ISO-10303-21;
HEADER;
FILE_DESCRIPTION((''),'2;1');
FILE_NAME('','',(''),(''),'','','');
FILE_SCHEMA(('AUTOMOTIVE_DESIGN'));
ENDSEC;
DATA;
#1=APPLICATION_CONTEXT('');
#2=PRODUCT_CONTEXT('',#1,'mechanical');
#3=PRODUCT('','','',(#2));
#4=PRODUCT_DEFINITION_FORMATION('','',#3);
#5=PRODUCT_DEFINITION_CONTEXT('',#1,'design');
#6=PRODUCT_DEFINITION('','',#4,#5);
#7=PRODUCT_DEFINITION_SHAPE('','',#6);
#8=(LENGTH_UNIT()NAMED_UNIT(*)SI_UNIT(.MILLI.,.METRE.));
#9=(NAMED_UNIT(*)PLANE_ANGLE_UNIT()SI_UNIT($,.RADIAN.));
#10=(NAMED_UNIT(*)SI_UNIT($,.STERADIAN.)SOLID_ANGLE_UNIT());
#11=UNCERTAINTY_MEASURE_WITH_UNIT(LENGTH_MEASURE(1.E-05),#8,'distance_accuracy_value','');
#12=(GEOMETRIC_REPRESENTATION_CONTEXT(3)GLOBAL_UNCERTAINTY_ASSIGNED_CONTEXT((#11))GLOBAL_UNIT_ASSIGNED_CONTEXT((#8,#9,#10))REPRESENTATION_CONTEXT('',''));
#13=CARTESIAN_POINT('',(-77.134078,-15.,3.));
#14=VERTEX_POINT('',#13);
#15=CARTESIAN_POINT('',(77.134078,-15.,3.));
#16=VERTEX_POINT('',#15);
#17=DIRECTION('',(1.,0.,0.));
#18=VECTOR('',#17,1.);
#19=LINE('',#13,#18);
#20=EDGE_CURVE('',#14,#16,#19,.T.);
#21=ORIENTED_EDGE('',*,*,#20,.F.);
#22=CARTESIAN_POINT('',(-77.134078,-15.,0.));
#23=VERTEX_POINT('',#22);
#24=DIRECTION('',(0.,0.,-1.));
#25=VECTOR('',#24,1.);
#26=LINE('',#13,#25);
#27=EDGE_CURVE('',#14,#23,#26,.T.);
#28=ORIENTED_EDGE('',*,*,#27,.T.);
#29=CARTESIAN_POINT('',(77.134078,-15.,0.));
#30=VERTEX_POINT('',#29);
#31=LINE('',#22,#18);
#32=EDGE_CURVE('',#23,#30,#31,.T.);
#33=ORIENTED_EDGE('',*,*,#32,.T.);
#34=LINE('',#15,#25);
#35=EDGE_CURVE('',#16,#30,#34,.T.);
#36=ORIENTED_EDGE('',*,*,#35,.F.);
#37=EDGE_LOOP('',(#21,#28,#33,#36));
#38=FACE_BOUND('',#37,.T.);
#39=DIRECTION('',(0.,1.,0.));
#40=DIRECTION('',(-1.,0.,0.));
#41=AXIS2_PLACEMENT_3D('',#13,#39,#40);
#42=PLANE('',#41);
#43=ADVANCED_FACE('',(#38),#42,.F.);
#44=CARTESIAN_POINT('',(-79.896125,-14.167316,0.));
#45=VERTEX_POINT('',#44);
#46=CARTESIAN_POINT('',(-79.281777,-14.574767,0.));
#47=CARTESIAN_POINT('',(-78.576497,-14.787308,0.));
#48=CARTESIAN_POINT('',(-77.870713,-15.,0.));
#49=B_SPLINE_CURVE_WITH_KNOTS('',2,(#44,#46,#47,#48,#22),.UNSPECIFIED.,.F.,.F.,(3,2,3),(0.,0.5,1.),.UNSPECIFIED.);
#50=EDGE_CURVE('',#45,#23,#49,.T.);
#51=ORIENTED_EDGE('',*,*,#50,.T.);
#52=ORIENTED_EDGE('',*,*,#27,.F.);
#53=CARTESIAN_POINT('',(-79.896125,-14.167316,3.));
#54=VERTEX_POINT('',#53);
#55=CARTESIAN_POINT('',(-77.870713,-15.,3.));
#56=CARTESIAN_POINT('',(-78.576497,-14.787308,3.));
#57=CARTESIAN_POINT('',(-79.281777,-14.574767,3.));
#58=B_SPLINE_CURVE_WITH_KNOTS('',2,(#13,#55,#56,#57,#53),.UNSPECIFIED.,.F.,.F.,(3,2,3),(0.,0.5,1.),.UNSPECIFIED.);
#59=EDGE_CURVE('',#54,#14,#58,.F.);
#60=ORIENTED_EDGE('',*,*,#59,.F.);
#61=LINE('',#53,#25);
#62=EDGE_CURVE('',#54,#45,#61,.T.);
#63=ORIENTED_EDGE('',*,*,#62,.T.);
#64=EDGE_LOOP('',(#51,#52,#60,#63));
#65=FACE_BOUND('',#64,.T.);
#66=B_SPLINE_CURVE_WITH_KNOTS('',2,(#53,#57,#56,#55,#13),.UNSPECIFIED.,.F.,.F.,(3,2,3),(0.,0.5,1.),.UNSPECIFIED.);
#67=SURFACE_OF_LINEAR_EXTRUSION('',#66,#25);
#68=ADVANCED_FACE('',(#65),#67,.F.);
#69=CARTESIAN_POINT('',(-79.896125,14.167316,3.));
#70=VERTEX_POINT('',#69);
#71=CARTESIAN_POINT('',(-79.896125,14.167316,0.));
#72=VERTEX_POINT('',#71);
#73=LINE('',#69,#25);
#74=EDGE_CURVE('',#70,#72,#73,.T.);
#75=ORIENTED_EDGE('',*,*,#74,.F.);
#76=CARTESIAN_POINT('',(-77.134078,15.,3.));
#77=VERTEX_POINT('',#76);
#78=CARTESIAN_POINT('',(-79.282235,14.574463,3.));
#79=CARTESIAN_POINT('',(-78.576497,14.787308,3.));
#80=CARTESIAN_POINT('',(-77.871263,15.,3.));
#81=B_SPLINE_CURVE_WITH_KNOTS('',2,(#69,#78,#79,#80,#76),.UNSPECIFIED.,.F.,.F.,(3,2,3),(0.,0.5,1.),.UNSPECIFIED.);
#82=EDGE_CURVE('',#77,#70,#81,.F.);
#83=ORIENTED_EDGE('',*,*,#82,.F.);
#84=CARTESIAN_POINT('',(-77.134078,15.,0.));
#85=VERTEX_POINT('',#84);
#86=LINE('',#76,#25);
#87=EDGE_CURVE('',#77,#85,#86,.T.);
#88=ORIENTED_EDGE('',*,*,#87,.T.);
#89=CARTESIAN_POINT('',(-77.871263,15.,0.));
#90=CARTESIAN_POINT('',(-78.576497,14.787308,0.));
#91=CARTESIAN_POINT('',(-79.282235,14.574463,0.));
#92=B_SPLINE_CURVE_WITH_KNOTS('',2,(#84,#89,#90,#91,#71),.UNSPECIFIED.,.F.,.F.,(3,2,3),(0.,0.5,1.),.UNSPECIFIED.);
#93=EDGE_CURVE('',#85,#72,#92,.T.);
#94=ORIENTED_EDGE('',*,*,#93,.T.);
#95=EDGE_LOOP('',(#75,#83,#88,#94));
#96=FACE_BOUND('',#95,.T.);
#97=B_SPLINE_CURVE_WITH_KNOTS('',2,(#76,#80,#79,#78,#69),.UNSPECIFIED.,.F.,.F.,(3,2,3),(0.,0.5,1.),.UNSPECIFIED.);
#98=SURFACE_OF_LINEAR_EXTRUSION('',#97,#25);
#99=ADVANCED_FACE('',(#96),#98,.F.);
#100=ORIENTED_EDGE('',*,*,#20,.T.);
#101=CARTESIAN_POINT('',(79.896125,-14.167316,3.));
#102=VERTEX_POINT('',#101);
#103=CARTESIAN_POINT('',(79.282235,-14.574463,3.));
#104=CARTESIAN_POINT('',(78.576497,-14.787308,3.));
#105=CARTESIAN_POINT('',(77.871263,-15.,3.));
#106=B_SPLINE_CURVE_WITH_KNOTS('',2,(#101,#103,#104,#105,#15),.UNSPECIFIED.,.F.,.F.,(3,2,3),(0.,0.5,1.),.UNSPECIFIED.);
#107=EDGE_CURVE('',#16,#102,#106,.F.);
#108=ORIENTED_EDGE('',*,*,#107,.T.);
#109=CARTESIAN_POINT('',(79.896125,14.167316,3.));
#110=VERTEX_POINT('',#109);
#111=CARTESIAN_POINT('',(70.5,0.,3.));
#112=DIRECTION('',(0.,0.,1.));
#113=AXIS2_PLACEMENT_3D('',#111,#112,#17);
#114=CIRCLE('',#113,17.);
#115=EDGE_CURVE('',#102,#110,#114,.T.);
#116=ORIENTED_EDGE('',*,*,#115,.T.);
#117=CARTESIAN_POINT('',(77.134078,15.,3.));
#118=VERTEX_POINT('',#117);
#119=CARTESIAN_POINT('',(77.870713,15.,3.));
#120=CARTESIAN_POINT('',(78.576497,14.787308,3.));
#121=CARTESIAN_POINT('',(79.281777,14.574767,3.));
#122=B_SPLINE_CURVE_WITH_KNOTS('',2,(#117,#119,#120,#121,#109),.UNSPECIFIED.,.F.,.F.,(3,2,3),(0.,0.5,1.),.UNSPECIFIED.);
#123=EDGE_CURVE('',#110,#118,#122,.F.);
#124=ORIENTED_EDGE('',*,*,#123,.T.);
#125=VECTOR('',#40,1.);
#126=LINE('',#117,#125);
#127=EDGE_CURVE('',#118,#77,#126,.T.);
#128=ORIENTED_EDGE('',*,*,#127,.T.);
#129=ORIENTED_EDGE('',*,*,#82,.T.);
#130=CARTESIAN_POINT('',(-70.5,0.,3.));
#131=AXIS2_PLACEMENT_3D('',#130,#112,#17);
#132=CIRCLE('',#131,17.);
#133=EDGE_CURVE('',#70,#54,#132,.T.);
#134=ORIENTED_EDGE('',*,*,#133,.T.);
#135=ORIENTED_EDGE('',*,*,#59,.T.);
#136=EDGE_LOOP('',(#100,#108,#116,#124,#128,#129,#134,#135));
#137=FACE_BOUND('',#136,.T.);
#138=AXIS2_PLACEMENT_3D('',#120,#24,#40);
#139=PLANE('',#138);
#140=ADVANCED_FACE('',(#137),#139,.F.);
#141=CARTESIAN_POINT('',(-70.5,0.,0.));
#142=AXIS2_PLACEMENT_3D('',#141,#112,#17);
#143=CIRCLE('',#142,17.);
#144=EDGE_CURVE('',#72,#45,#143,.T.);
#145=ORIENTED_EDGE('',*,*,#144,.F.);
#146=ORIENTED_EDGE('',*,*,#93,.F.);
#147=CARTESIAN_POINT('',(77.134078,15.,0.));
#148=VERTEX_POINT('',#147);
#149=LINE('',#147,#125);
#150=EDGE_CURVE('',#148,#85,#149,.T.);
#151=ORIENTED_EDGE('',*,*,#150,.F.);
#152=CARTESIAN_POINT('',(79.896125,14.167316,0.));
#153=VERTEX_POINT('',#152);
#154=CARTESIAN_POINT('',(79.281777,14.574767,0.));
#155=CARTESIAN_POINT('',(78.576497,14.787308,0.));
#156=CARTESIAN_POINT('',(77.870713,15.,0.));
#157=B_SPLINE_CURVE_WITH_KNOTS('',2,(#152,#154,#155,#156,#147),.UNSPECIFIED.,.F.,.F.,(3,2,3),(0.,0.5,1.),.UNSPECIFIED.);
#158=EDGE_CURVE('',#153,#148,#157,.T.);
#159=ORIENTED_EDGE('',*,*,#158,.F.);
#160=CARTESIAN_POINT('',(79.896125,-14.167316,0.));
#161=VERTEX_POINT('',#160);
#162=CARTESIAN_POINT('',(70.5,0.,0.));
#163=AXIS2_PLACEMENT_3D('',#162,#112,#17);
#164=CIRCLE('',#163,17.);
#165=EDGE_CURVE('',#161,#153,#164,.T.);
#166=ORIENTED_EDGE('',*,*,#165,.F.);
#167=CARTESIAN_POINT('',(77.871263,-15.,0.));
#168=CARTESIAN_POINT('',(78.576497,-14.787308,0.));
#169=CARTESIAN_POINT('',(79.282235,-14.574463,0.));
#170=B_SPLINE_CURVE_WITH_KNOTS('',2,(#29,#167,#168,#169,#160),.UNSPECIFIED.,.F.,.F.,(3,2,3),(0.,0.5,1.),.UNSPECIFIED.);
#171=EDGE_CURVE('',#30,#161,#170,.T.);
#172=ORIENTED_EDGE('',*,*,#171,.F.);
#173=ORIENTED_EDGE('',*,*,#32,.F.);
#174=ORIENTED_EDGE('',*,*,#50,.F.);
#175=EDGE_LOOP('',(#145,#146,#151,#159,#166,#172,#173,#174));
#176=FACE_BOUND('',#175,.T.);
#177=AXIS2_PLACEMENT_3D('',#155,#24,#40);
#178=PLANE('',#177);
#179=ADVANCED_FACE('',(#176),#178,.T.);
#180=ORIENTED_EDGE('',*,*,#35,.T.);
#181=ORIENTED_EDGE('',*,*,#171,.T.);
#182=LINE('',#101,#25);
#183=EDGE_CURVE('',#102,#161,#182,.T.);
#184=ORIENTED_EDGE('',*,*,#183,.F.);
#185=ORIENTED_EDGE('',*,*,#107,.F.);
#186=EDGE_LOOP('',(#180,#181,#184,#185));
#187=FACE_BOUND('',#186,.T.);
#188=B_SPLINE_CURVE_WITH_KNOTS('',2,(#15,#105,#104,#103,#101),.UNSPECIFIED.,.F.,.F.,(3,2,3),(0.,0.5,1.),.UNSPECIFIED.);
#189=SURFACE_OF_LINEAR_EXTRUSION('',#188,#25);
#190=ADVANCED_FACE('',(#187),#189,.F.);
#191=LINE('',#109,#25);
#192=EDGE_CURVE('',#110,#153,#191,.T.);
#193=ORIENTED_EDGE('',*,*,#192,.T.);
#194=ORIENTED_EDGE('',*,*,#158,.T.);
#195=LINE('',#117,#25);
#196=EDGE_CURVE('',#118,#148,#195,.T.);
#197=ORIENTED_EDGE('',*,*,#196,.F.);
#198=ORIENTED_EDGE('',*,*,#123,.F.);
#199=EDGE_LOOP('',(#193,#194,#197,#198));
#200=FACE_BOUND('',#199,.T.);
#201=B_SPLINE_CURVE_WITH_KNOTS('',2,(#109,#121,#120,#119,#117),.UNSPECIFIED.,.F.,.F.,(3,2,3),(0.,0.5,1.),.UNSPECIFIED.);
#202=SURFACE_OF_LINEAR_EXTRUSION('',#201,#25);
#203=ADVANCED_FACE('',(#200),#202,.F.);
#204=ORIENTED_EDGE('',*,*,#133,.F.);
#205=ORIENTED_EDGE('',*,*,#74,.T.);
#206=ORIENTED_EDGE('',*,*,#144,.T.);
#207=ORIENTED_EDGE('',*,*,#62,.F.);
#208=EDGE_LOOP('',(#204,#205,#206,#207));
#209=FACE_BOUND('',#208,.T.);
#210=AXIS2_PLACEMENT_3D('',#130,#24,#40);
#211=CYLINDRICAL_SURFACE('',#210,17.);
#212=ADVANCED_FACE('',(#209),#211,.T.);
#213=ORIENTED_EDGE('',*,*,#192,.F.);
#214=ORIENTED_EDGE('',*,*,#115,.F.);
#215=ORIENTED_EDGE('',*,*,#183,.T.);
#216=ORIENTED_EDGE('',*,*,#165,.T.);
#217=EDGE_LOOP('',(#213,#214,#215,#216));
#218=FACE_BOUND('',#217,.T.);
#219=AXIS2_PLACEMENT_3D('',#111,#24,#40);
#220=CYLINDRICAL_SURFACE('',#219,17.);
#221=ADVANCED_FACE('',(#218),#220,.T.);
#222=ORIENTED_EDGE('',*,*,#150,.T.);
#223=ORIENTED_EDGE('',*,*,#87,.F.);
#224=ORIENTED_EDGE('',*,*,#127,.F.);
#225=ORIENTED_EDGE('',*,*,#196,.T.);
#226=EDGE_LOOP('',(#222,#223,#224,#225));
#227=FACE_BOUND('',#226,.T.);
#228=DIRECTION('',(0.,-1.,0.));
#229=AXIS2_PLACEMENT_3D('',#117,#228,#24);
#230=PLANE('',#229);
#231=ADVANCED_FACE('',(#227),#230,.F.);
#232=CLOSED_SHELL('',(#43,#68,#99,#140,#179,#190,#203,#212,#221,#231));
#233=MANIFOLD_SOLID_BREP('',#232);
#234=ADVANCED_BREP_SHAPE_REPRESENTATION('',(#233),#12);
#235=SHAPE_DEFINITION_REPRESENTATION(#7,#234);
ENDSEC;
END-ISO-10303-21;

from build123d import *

# Parameters (mm, degrees)
SALIENTE_EXTRUIR1_DEPTH = 3


with BuildPart() as part:
    # Croquis1 → Saliente-Extruir1 (new body)
    with BuildSketch(Plane.XY):
        with BuildLine():
            Line((77.13407836, 15), (-77.13407836, 15))
            add(Edge.make_bspline(
                [(-77.13407836, 15), (-77.871262638, 15), (-78.576496818, 14.787307583), (-79.282235227, 14.574463094), (-79.896125243, 14.167315569)],
                knots=[0, 0, 0, 0.5, 0.5, 1, 1, 1], degree=2))
            ThreePointArc((-79.896125243, 14.167315569), (-87.5, 0), (-79.896125243, -14.167315569))
            add(Edge.make_bspline(
                [(-79.896125243, -14.167315569), (-79.281776873, -14.574767086), (-78.576496886, -14.787307562), (-77.870712638, -15), (-77.13407836, -15)],
                knots=[0, 0, 0, 0.5, 0.5, 1, 1, 1], degree=2))
            Line((-77.13407836, -15), (77.13407836, -15))
            add(Edge.make_bspline(
                [(77.13407836, -15), (77.871262638, -15), (78.576496818, -14.787307583), (79.282235227, -14.574463094), (79.896125243, -14.167315569)],
                knots=[0, 0, 0, 0.5, 0.5, 1, 1, 1], degree=2))
            ThreePointArc((79.896125243, -14.167315569), (87.5, 0), (79.896125243, 14.167315569))
            add(Edge.make_bspline(
                [(79.896125243, 14.167315569), (79.281776873, 14.574767086), (78.576496886, 14.787307562), (77.870712638, 15), (77.13407836, 15)],
                knots=[0, 0, 0, 0.5, 0.5, 1, 1, 1], degree=2))
        make_face()
    extrude(amount=SALIENTE_EXTRUIR1_DEPTH)


solid = part.part
